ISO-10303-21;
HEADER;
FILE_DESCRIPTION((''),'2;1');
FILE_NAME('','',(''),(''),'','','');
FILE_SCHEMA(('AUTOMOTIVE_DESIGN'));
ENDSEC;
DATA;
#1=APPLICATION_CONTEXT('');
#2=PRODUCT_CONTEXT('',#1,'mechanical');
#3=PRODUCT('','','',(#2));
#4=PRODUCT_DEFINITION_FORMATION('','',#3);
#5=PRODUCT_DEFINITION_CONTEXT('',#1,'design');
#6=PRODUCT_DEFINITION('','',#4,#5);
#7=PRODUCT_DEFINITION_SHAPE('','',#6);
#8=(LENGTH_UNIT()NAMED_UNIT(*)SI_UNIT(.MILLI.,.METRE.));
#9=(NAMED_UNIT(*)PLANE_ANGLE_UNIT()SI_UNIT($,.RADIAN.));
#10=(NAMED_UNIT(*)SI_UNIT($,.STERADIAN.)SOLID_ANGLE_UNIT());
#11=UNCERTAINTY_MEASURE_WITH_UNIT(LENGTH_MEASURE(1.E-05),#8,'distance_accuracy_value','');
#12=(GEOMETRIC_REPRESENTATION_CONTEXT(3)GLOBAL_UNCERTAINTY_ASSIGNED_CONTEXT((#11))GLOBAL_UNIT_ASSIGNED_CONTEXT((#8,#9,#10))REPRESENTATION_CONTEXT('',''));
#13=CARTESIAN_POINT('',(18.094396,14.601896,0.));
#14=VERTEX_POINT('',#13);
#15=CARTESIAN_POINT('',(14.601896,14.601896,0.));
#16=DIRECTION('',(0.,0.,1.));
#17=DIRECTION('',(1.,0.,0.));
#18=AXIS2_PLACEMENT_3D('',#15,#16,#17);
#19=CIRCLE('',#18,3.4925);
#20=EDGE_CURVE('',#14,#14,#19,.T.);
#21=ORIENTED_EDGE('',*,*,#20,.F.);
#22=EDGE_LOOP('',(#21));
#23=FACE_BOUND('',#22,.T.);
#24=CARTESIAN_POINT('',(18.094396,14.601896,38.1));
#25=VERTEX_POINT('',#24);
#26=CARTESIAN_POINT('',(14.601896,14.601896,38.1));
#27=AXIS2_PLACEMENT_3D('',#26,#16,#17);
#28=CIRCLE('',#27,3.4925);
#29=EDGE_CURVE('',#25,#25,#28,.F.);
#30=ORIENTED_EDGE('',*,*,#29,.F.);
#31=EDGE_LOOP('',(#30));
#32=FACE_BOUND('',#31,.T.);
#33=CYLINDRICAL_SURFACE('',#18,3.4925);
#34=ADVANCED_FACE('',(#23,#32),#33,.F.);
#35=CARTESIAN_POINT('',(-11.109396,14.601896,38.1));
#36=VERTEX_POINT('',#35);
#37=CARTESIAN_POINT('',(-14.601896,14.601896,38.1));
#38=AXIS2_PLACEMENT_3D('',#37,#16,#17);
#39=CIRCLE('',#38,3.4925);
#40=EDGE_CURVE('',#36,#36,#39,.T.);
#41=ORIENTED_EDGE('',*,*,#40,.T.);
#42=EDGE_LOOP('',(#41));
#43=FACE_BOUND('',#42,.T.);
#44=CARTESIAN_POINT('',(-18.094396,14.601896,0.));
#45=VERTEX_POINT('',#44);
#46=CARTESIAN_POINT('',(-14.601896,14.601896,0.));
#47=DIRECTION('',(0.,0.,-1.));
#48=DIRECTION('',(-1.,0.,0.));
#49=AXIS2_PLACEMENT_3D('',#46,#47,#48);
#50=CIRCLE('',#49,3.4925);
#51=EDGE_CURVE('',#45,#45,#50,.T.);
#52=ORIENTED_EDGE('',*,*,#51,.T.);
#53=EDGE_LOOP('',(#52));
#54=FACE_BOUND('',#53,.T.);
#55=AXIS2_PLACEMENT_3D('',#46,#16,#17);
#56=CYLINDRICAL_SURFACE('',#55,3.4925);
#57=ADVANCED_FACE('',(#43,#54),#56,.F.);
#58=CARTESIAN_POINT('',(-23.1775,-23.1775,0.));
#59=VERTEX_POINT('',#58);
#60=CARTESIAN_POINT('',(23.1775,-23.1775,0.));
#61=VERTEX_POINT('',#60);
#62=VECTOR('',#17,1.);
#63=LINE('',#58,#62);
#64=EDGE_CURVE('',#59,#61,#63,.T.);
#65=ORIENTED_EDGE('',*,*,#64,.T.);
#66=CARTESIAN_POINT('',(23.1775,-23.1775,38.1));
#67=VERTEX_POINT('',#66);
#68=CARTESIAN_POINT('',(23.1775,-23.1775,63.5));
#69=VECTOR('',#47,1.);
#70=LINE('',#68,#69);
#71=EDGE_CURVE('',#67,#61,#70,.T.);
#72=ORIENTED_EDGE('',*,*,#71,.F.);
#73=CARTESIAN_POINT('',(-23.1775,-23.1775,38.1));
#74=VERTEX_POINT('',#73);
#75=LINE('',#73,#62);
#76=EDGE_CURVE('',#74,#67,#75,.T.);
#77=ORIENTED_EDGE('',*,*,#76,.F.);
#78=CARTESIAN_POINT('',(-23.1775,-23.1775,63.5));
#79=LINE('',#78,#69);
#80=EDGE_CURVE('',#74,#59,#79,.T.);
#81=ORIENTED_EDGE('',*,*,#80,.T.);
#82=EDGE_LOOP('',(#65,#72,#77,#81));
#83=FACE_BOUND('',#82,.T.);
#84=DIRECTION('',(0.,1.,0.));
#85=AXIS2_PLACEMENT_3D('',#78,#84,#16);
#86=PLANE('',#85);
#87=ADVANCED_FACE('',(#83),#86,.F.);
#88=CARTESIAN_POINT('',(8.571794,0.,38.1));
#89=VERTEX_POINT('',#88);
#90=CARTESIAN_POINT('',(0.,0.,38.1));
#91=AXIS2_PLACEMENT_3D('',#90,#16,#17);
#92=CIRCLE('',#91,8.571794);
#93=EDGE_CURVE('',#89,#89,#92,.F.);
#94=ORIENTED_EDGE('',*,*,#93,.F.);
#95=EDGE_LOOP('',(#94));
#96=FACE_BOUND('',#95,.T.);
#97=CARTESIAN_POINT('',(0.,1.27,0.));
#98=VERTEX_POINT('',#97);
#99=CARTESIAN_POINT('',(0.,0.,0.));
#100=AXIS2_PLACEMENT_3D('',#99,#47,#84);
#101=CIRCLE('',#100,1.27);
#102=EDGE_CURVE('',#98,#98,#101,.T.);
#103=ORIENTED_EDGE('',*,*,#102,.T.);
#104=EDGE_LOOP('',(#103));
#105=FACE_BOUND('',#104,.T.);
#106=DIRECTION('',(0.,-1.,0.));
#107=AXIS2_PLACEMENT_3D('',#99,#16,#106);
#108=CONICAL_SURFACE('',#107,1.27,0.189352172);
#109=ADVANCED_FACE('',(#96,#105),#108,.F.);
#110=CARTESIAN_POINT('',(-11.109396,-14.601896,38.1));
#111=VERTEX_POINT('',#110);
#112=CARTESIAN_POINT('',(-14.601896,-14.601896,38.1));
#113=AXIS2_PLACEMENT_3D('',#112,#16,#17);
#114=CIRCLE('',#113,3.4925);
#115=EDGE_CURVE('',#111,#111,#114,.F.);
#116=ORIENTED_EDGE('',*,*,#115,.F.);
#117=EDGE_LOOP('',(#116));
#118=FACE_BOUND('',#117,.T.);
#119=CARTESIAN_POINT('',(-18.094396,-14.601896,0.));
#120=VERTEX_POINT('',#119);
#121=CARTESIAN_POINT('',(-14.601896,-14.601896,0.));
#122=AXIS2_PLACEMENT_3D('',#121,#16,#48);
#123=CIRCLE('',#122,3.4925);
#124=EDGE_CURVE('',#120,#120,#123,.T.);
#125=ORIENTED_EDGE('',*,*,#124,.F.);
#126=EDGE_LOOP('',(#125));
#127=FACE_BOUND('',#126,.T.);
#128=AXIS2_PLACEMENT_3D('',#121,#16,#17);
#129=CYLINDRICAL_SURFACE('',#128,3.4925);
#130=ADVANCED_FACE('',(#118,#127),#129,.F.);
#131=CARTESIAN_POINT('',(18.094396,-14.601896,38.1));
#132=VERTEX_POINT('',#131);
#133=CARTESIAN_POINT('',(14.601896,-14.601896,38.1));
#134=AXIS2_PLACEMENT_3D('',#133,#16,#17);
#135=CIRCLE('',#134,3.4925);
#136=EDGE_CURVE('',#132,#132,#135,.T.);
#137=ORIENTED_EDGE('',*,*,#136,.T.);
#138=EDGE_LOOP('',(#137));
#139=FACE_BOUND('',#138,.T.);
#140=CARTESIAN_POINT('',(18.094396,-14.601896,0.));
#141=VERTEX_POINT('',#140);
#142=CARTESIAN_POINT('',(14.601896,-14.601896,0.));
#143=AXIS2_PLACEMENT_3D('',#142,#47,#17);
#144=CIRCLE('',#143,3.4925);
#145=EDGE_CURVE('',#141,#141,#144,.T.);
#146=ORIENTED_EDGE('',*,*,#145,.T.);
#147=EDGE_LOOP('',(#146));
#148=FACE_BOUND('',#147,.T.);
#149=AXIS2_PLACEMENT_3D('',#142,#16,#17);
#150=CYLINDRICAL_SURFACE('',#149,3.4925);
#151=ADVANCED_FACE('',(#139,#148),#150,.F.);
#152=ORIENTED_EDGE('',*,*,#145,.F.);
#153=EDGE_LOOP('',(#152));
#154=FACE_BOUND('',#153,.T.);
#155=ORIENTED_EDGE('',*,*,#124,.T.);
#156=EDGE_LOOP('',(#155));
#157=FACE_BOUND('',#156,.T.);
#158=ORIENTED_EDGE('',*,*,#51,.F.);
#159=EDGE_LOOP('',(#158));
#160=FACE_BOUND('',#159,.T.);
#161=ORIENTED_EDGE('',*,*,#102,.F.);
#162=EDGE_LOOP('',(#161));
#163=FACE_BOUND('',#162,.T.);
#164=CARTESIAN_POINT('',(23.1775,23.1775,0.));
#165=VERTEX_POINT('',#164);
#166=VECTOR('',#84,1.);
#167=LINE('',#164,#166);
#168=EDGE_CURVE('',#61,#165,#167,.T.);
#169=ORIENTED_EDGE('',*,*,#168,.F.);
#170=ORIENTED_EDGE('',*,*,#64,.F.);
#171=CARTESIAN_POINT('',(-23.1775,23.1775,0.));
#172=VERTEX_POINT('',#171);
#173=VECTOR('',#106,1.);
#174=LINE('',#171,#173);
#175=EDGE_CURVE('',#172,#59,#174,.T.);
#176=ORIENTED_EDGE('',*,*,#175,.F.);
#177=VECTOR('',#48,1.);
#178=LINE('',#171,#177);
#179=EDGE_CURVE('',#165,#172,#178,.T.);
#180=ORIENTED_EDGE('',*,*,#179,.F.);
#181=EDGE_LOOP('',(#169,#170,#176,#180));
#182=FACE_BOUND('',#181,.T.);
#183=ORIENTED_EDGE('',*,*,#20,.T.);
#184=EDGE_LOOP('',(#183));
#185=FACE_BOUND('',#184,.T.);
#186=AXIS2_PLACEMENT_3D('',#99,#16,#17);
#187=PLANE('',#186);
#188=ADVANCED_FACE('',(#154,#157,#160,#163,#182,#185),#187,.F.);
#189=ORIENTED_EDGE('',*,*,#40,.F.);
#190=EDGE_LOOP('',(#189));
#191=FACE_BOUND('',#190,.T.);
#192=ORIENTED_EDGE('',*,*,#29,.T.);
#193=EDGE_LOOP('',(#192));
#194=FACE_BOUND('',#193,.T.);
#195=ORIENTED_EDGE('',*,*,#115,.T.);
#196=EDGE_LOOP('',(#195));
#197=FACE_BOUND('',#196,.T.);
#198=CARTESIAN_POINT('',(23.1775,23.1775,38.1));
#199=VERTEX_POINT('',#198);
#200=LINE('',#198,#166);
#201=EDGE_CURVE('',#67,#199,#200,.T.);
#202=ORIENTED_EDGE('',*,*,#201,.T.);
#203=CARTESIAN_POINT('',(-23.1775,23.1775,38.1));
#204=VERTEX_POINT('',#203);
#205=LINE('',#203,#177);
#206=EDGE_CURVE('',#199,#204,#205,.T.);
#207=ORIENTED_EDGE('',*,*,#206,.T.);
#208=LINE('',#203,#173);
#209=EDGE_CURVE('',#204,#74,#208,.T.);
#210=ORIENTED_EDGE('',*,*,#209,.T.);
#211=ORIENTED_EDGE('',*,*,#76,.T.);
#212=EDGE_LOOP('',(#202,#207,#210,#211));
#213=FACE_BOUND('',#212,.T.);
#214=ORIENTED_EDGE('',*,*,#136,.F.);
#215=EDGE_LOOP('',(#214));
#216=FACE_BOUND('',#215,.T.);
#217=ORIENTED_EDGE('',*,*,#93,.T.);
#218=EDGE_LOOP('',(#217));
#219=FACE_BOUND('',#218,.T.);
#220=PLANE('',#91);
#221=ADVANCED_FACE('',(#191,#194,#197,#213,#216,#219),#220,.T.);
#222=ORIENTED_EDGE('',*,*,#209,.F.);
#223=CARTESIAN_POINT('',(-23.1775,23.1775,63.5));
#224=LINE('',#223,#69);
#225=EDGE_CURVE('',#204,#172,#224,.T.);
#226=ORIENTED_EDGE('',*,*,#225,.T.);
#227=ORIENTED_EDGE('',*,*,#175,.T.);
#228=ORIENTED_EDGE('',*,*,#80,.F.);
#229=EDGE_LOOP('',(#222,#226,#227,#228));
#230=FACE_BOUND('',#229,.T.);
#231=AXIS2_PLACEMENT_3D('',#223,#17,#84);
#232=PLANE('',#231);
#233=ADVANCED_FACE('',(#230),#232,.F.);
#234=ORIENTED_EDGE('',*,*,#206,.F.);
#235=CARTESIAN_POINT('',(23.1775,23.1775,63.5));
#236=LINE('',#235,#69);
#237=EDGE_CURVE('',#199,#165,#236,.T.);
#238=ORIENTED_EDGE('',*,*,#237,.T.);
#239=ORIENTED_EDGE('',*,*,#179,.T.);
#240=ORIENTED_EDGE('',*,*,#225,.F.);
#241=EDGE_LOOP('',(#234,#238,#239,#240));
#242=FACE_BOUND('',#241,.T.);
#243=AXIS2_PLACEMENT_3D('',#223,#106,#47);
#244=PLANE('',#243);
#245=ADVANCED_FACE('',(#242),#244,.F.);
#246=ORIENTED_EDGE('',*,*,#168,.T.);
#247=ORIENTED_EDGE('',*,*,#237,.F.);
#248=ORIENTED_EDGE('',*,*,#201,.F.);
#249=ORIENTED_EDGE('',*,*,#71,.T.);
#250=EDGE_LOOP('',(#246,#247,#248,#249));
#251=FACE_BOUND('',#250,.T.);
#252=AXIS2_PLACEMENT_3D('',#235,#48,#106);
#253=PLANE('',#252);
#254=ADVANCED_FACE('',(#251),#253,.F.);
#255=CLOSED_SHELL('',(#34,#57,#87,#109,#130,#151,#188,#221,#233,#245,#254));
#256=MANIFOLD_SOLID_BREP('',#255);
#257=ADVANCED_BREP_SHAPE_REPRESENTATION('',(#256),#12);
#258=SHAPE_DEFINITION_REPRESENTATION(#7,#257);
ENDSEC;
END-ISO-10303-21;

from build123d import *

# Parameters (mm, degrees)
SKETCH1_W               = 46.355
SKETCH1_H               = 46.355
BOSS_EXTRUDE1_DEPTH     = 63.5
SKETCH2_R               = 1.27
CUT_EXTRUDE1_DEPTH      = 64.5
SKETCH4_R               = 3.4925
CUT_EXTRUDE3_DEPTH      = 64.5
MIRROR2_COPY_1_SKETCH_R = 3.4925
MIRROR2_COPY_1_DEPTH    = 64.5
SKETCH6_W               = 50.639915967
SKETCH6_H               = 51.332427637
CUT_EXTRUDE4_DEPTH      = 25.4


with BuildPart() as part:
    # Sketch1 → Boss-Extrude1 (new body)
    with BuildSketch(Plane.XY):
        Rectangle(SKETCH1_W, SKETCH1_H)
    extrude(amount=BOSS_EXTRUDE1_DEPTH)

    # Sketch2 → Cut-Extrude1 (cut, through all)
    with BuildSketch(Plane.XY.offset(63.5)):
        Circle(SKETCH2_R)
    extrude(amount=-CUT_EXTRUDE1_DEPTH, mode=Mode.SUBTRACT)

    # Sketch4 → Cut-Extrude3 (cut, through all)
    with BuildSketch(Plane.XY.offset(63.5)):
        with Locations((14.601896453, 14.601896453)):
            Circle(SKETCH4_R)
    cut_extrude3 = extrude(amount=-CUT_EXTRUDE3_DEPTH, mode=Mode.SUBTRACT)

    # Mirror1: Cut-Extrude3 across plane
    add(cut_extrude3.mirror(Plane.ZX), mode=Mode.SUBTRACT)

    # Mirror2: Cut-Extrude3 across plane
    add(cut_extrude3.mirror(Plane(origin=(0, 0, 0), x_dir=(0, 0, 1), z_dir=(1, 0, 0))), mode=Mode.SUBTRACT)

    # Mirror2 copy 1 sketch → Mirror2 copy 1 (cut, through all)
    with BuildSketch(Plane(origin=(0, 0, 63.5), x_dir=(-1, 0, 0), z_dir=(0, 0, 1))):
        with Locations((14.601896453, 14.601896453)):
            Circle(MIRROR2_COPY_1_SKETCH_R)
    extrude(amount=-MIRROR2_COPY_1_DEPTH, mode=Mode.SUBTRACT)

    # Sketch5 → Cut-Revolve1 (revolve, cut)
    with BuildSketch(Plane(origin=(0, 0, 0), x_dir=(0, 0, -1), z_dir=(1, 0, 0))):
        Polygon((-63.5, 9.713622118), (-44.057941111, 9.713622118), (0, 1.27), (0, 0), (-63.5, 0), align=None)
    revolve(axis=Axis((0, 0, 0), (0, 0, 1)), mode=Mode.SUBTRACT)

    # Sketch6 → Cut-Extrude4 (cut)
    with BuildSketch(Plane.XY.offset(63.5)):
        with Locations((0.281332866, -0.281332866)):
            Rectangle(SKETCH6_W, SKETCH6_H)
    extrude(amount=-CUT_EXTRUDE4_DEPTH, mode=Mode.SUBTRACT)


solid = part.part
